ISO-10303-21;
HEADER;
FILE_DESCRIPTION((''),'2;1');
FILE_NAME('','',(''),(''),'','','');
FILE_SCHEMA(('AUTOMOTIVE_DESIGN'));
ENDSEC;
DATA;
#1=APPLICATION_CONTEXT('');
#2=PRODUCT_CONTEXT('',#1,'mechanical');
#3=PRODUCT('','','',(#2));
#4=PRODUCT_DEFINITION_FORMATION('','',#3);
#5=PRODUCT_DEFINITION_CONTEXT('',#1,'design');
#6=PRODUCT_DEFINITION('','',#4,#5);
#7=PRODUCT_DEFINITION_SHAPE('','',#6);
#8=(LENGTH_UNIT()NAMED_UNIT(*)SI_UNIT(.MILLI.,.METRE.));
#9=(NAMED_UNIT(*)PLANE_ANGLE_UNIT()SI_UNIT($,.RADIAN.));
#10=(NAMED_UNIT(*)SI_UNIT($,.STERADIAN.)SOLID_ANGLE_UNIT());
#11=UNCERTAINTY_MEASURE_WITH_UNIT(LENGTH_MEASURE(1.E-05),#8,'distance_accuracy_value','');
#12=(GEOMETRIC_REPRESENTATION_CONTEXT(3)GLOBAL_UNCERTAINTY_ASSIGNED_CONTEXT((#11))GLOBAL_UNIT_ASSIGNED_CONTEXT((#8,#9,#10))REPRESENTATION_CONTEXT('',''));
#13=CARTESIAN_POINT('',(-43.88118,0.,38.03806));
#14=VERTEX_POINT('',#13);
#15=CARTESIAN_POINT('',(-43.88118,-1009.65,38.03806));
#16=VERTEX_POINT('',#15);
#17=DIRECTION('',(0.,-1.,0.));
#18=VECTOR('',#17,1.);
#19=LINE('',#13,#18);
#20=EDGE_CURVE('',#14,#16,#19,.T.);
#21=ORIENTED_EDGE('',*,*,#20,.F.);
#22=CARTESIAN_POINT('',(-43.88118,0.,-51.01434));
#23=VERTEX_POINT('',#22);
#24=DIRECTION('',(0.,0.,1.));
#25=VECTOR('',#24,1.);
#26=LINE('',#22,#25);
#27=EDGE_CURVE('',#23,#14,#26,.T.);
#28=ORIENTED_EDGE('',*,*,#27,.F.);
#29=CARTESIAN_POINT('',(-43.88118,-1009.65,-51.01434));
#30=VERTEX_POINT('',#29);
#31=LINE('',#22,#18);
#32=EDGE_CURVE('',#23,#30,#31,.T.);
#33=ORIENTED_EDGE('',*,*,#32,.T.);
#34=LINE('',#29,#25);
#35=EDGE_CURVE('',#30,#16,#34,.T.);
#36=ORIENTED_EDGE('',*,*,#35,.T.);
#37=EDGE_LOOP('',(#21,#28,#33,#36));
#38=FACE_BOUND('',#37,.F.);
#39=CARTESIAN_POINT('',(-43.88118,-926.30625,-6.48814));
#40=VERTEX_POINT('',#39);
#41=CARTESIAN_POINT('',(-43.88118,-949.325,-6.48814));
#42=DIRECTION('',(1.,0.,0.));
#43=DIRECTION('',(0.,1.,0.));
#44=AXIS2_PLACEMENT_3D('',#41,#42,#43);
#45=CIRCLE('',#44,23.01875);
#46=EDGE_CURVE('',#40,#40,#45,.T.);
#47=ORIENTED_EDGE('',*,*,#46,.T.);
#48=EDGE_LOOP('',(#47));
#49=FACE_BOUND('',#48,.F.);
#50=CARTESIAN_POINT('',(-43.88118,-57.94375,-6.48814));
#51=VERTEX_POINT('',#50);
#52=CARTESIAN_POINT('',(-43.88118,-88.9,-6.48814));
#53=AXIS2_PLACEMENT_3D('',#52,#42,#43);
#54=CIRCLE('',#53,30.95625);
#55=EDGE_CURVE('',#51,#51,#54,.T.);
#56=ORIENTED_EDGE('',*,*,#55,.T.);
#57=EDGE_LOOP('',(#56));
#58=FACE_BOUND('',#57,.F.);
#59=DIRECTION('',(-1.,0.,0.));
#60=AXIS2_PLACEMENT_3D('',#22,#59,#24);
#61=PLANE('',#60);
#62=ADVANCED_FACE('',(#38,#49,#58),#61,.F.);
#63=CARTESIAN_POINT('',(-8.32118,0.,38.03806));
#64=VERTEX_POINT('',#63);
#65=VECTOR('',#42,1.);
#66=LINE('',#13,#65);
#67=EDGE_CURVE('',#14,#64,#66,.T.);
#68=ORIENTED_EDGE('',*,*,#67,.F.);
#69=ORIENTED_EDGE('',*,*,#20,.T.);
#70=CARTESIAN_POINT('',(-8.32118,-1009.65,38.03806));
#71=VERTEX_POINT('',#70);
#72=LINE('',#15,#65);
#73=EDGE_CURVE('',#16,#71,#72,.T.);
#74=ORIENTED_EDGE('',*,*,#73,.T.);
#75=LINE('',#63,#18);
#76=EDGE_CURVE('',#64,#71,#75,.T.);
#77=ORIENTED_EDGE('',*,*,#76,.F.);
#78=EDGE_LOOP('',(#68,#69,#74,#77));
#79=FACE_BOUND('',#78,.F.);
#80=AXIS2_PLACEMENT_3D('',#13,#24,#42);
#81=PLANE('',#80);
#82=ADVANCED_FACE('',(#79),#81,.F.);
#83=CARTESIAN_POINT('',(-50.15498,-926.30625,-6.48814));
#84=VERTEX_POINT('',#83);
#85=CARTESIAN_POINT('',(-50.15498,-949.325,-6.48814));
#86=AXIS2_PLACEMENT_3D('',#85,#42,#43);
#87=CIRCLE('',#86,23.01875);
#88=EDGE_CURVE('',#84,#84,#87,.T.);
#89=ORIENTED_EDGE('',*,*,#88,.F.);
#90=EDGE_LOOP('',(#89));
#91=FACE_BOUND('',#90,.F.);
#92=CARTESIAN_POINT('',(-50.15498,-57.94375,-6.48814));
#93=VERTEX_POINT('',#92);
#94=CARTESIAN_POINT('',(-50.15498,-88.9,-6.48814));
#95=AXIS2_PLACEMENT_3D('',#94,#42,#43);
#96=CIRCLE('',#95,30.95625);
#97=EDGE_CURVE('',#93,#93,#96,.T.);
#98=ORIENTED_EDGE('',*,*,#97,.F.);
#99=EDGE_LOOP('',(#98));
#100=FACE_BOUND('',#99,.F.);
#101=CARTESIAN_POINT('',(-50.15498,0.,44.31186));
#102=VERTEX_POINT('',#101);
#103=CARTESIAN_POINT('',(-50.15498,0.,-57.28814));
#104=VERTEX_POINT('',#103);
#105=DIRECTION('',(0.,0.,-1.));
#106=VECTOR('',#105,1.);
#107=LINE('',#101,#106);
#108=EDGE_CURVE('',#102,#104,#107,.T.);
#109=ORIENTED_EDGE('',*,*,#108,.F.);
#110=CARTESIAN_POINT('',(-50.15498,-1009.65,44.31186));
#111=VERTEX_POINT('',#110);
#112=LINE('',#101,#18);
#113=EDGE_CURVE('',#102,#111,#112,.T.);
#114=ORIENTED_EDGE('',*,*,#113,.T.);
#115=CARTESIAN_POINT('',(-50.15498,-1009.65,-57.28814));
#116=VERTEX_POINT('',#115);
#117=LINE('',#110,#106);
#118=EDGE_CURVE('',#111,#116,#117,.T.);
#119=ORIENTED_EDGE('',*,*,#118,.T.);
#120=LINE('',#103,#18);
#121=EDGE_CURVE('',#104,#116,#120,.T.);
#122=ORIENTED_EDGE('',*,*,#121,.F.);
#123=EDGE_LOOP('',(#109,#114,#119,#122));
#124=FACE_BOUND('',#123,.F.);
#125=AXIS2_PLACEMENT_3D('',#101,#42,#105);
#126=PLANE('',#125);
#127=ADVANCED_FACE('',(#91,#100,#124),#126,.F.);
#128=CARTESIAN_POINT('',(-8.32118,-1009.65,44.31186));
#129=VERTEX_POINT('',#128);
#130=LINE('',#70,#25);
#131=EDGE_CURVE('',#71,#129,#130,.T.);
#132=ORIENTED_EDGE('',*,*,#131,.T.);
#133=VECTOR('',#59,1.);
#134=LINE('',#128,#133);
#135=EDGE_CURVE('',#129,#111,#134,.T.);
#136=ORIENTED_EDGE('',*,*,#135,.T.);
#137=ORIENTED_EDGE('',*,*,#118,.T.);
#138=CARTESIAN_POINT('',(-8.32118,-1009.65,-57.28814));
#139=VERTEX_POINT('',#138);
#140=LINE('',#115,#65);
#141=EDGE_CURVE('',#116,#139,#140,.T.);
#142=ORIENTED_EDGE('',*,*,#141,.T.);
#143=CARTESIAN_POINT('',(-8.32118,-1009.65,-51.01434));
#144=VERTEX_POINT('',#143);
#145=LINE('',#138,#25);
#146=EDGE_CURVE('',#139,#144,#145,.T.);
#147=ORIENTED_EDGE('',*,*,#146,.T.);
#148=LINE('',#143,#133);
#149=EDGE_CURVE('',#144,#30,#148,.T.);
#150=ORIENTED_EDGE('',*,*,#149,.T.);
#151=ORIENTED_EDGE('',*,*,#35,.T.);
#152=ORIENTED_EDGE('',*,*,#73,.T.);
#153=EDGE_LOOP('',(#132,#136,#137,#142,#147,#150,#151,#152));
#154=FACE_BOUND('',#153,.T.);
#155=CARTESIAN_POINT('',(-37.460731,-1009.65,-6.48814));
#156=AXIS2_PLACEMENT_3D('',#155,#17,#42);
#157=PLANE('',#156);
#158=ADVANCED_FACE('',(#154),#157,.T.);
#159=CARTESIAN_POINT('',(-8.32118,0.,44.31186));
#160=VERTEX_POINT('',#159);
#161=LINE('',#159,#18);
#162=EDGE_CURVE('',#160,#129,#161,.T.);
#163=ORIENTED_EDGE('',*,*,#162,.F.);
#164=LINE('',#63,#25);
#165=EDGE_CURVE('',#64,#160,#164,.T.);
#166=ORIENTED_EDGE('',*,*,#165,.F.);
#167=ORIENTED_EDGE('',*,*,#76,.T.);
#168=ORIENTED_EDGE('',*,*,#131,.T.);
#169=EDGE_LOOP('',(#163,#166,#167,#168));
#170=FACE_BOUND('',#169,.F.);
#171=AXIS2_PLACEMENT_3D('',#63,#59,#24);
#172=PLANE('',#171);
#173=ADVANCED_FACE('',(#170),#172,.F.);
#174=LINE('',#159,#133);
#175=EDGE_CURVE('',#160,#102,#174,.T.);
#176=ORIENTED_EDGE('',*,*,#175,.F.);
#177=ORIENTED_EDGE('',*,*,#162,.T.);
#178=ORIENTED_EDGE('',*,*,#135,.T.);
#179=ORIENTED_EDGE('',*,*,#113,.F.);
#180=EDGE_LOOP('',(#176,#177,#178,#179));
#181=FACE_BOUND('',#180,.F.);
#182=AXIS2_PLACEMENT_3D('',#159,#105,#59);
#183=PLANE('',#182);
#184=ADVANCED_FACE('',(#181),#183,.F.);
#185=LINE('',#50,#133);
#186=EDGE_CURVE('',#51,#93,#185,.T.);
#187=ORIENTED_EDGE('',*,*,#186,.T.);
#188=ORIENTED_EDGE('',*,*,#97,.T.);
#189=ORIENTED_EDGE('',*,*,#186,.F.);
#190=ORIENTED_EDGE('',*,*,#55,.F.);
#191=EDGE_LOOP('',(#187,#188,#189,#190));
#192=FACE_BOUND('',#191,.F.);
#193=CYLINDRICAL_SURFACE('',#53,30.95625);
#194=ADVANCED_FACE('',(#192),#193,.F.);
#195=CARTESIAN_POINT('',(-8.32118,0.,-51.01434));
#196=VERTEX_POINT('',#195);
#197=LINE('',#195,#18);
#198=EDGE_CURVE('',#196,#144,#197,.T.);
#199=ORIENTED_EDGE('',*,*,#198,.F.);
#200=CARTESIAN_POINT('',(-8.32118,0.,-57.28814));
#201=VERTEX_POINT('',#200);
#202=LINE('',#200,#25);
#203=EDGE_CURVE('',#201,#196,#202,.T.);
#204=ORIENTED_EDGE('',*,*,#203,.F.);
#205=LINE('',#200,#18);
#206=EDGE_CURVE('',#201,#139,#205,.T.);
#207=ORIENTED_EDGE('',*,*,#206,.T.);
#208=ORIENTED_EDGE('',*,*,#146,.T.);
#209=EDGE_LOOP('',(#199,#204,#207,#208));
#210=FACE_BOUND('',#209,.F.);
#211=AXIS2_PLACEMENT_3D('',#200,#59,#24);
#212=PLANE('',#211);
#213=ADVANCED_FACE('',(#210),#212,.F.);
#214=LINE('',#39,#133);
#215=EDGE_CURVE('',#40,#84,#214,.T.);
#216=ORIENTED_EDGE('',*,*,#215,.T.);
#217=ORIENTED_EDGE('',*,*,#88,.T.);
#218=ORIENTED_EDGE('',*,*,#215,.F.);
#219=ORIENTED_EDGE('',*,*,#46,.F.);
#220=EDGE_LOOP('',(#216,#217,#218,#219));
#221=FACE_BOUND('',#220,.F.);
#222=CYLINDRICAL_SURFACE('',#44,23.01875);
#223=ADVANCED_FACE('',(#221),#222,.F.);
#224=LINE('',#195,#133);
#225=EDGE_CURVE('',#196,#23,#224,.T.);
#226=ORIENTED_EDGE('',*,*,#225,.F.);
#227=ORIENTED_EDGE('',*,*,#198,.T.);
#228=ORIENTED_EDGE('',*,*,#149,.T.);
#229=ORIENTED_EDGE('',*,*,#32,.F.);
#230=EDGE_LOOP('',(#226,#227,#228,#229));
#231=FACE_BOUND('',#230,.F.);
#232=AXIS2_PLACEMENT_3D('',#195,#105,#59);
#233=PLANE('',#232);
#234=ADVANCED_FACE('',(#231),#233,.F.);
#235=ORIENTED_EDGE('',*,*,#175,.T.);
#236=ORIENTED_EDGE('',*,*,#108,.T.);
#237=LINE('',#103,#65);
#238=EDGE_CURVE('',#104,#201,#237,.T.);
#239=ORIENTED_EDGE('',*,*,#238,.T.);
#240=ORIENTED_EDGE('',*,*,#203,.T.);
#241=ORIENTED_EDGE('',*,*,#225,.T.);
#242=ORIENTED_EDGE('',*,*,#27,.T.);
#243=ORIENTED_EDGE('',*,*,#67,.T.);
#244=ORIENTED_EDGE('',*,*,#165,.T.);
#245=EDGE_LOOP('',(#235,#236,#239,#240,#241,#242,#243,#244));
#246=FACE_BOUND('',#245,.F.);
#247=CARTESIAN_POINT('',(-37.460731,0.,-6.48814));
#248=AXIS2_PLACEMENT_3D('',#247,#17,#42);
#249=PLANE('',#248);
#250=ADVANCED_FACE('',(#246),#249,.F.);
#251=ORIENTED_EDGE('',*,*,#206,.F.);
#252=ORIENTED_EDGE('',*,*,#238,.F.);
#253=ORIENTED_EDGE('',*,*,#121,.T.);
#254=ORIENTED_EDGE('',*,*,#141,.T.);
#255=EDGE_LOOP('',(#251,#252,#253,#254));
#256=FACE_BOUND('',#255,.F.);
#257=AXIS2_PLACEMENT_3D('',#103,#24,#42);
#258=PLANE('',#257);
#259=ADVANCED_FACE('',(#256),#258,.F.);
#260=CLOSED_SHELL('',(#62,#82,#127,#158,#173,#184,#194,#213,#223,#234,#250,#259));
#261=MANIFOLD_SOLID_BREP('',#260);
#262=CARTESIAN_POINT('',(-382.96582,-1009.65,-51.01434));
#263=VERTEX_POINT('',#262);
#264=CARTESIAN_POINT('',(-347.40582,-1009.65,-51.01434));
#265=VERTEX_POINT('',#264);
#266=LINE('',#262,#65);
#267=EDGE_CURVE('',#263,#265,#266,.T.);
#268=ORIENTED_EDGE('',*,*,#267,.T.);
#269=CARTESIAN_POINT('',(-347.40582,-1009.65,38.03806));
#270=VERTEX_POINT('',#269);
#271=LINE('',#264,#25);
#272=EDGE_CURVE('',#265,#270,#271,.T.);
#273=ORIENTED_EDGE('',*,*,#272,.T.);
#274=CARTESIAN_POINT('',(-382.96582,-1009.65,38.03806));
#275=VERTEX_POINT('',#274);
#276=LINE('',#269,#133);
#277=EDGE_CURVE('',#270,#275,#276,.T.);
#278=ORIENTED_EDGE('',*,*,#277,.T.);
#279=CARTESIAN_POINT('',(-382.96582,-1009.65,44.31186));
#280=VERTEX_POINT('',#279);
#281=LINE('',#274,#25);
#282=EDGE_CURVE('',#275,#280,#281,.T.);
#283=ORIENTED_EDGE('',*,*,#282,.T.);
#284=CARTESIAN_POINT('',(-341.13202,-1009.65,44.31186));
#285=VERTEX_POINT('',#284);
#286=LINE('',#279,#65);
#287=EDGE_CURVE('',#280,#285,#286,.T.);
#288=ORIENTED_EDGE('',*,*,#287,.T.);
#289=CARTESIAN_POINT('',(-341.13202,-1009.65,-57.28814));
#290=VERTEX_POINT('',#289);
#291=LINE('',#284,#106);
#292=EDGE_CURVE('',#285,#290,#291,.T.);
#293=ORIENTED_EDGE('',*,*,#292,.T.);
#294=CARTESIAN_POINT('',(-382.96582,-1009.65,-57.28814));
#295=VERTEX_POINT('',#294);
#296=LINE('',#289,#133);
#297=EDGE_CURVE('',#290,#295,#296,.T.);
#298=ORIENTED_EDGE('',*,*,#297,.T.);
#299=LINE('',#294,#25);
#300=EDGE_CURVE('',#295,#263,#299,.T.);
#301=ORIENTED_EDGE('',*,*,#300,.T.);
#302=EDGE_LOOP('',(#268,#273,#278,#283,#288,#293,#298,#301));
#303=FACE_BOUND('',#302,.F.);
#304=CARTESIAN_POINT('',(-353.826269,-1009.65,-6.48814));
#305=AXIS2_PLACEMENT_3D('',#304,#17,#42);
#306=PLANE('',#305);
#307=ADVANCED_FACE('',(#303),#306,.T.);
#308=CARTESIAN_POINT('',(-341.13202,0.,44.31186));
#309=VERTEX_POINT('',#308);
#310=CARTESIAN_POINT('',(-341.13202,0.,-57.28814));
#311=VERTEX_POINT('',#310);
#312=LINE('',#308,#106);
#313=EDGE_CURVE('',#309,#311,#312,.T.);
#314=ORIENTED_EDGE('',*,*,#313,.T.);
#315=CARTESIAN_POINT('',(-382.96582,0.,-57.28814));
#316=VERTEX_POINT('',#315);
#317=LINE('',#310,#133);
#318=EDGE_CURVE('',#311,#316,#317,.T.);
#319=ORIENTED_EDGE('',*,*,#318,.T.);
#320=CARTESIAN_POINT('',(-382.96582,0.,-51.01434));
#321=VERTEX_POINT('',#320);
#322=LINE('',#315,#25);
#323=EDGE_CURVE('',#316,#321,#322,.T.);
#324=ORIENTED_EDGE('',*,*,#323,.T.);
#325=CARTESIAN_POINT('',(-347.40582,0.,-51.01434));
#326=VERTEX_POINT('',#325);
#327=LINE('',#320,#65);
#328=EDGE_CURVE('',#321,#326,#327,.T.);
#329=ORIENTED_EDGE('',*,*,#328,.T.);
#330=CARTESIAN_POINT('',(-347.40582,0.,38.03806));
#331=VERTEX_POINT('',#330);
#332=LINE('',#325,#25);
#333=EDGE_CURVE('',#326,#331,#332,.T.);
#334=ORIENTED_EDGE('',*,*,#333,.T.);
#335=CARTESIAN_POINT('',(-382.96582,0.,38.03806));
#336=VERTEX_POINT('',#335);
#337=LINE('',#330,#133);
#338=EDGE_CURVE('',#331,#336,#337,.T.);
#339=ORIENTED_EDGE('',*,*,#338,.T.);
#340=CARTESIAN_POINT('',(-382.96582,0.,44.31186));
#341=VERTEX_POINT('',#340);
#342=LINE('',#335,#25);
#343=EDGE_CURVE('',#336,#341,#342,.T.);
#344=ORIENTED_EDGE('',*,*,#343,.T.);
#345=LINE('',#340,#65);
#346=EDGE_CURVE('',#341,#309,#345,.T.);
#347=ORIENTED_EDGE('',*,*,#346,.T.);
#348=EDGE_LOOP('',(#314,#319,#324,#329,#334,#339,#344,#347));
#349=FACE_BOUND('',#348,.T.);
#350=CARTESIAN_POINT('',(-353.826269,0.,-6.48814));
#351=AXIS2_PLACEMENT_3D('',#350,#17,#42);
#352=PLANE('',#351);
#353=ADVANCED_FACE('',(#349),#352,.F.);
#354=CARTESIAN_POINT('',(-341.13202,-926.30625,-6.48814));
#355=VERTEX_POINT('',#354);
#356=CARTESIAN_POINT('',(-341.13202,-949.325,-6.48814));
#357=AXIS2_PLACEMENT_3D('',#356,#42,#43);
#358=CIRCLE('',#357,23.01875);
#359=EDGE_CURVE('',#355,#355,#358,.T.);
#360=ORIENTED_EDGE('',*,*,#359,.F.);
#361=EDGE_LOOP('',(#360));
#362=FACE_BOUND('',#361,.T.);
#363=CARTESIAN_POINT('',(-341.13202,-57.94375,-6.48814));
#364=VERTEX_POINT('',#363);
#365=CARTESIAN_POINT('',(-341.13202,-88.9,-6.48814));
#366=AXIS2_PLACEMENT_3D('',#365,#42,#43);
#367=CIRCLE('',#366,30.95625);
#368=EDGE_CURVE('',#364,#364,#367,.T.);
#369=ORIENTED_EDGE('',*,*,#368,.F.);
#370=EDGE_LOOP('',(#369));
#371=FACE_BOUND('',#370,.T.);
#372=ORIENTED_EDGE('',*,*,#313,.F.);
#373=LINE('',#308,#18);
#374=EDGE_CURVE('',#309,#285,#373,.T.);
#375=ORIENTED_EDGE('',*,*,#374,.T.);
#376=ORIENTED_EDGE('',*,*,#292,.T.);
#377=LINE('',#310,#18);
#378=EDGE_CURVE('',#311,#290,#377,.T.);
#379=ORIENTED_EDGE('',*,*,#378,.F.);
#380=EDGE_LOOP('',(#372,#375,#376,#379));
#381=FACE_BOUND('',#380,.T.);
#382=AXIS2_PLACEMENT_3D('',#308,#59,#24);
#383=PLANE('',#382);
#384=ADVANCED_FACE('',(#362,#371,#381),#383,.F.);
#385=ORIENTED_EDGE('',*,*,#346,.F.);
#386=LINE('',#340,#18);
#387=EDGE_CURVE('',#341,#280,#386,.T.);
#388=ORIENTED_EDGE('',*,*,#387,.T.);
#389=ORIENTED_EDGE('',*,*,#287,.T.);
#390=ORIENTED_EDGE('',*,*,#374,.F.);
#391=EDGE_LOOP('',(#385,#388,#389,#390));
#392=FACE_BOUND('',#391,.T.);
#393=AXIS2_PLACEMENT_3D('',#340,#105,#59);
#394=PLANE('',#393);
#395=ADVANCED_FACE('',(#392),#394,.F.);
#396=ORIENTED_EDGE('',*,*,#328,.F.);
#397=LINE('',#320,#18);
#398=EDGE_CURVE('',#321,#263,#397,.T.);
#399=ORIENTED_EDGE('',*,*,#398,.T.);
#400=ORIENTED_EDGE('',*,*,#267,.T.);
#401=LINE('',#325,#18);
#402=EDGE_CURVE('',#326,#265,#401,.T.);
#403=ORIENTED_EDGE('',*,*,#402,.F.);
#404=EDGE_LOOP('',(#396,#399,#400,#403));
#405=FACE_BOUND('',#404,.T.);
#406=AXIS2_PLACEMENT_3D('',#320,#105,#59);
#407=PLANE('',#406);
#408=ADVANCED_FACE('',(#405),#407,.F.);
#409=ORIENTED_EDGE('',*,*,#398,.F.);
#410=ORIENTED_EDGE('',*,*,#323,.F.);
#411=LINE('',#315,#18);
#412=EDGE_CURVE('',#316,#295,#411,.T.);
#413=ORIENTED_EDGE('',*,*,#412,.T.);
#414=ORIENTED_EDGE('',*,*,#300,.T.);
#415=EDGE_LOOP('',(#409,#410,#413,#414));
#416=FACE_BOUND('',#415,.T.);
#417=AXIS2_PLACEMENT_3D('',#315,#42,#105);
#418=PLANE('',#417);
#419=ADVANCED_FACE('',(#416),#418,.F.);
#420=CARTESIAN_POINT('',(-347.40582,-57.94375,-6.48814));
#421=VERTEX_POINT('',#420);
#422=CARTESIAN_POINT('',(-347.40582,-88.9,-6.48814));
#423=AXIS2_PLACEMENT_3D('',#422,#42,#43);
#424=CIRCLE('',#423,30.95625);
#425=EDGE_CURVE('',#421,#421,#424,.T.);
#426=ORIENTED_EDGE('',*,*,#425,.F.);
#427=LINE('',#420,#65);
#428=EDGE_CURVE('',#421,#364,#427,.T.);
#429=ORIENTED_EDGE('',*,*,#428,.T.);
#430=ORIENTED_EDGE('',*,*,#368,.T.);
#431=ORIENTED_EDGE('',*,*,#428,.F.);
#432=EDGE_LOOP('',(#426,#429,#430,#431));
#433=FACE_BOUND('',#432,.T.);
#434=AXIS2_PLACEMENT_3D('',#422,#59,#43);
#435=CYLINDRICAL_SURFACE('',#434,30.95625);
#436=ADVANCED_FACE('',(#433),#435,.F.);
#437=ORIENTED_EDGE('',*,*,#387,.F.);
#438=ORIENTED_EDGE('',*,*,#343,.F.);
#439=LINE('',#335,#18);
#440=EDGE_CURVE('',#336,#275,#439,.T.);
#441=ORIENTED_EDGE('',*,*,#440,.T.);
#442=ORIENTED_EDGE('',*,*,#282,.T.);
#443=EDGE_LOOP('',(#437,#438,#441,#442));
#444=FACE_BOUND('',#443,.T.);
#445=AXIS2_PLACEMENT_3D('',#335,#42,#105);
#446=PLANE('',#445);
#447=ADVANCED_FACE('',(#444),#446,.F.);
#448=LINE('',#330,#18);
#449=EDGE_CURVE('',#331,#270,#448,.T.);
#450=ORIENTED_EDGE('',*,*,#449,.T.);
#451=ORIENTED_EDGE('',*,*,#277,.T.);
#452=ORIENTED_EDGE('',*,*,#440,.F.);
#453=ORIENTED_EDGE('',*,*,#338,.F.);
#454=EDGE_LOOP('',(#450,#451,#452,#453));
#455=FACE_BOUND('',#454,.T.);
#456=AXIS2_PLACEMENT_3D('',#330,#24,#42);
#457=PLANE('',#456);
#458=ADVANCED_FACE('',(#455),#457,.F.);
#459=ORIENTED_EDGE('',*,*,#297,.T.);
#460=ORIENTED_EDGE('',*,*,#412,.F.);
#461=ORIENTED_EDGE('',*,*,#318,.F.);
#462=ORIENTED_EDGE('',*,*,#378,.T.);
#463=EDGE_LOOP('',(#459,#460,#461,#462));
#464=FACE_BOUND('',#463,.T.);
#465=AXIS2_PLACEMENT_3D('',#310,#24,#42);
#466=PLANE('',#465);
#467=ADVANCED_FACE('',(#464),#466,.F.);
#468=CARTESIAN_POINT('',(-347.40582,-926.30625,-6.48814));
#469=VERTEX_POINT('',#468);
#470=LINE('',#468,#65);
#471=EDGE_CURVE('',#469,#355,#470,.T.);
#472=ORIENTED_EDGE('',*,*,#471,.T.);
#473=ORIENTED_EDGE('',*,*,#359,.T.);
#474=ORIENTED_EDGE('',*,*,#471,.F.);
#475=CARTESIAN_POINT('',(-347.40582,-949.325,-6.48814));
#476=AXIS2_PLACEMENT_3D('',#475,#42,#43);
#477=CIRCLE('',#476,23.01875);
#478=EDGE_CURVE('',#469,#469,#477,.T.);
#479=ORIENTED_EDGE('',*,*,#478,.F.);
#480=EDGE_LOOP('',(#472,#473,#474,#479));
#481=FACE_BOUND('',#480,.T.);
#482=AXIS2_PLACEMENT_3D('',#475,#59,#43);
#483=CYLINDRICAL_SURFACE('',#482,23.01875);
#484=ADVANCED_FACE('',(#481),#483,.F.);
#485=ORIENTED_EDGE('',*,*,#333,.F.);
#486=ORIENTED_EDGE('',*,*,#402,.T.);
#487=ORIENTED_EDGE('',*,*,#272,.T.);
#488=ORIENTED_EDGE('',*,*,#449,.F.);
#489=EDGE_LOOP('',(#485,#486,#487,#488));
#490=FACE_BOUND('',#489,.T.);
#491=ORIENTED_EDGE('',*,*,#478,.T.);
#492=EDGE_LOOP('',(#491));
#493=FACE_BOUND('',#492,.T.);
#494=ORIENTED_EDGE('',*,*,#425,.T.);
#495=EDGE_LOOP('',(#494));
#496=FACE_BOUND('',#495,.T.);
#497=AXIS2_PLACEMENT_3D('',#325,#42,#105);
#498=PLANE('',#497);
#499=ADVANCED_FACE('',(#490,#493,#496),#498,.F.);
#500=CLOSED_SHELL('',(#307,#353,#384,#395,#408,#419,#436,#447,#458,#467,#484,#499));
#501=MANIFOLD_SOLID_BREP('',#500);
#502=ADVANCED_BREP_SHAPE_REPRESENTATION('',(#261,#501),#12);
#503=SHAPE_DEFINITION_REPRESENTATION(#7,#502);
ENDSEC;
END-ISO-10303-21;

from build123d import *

# Parameters (mm, degrees)
F1_DEPTH = 1009.65
F2_R     = 30.95625
F2_R_2   = 23.01875
F3_DEPTH = 25.4


with BuildPart() as f1:
    # F0 (on Front) → F1 (new body)
    with BuildSketch(Plane.XZ):
        Polygon((-8.32118, 44.31186), (-50.15498, 44.31186), (-50.15498, -57.28814), (-8.32118, -57.28814), (-8.32118, -51.01434), (-43.88118, -51.01434), (-43.88118, 38.03806), (-8.32118, 38.03806), align=None)
    extrude(amount=F1_DEPTH)

    # F2 (on face) → F3 (cut)
    with BuildSketch(Plane.YZ.offset(-43.88118)):
        with Locations((-88.9, -6.48814)):
            Circle(F2_R)
        with Locations((-949.325, -6.48814)):
            Circle(F2_R_2)
    extrude(amount=-F3_DEPTH, mode=Mode.SUBTRACT)


with BuildPart() as f5_1:
    # F5: instance of F1
    add(f1.part.mirror(Plane.YZ.offset(-195.6435)))


solid = Compound([f1.part, f5_1.part])
